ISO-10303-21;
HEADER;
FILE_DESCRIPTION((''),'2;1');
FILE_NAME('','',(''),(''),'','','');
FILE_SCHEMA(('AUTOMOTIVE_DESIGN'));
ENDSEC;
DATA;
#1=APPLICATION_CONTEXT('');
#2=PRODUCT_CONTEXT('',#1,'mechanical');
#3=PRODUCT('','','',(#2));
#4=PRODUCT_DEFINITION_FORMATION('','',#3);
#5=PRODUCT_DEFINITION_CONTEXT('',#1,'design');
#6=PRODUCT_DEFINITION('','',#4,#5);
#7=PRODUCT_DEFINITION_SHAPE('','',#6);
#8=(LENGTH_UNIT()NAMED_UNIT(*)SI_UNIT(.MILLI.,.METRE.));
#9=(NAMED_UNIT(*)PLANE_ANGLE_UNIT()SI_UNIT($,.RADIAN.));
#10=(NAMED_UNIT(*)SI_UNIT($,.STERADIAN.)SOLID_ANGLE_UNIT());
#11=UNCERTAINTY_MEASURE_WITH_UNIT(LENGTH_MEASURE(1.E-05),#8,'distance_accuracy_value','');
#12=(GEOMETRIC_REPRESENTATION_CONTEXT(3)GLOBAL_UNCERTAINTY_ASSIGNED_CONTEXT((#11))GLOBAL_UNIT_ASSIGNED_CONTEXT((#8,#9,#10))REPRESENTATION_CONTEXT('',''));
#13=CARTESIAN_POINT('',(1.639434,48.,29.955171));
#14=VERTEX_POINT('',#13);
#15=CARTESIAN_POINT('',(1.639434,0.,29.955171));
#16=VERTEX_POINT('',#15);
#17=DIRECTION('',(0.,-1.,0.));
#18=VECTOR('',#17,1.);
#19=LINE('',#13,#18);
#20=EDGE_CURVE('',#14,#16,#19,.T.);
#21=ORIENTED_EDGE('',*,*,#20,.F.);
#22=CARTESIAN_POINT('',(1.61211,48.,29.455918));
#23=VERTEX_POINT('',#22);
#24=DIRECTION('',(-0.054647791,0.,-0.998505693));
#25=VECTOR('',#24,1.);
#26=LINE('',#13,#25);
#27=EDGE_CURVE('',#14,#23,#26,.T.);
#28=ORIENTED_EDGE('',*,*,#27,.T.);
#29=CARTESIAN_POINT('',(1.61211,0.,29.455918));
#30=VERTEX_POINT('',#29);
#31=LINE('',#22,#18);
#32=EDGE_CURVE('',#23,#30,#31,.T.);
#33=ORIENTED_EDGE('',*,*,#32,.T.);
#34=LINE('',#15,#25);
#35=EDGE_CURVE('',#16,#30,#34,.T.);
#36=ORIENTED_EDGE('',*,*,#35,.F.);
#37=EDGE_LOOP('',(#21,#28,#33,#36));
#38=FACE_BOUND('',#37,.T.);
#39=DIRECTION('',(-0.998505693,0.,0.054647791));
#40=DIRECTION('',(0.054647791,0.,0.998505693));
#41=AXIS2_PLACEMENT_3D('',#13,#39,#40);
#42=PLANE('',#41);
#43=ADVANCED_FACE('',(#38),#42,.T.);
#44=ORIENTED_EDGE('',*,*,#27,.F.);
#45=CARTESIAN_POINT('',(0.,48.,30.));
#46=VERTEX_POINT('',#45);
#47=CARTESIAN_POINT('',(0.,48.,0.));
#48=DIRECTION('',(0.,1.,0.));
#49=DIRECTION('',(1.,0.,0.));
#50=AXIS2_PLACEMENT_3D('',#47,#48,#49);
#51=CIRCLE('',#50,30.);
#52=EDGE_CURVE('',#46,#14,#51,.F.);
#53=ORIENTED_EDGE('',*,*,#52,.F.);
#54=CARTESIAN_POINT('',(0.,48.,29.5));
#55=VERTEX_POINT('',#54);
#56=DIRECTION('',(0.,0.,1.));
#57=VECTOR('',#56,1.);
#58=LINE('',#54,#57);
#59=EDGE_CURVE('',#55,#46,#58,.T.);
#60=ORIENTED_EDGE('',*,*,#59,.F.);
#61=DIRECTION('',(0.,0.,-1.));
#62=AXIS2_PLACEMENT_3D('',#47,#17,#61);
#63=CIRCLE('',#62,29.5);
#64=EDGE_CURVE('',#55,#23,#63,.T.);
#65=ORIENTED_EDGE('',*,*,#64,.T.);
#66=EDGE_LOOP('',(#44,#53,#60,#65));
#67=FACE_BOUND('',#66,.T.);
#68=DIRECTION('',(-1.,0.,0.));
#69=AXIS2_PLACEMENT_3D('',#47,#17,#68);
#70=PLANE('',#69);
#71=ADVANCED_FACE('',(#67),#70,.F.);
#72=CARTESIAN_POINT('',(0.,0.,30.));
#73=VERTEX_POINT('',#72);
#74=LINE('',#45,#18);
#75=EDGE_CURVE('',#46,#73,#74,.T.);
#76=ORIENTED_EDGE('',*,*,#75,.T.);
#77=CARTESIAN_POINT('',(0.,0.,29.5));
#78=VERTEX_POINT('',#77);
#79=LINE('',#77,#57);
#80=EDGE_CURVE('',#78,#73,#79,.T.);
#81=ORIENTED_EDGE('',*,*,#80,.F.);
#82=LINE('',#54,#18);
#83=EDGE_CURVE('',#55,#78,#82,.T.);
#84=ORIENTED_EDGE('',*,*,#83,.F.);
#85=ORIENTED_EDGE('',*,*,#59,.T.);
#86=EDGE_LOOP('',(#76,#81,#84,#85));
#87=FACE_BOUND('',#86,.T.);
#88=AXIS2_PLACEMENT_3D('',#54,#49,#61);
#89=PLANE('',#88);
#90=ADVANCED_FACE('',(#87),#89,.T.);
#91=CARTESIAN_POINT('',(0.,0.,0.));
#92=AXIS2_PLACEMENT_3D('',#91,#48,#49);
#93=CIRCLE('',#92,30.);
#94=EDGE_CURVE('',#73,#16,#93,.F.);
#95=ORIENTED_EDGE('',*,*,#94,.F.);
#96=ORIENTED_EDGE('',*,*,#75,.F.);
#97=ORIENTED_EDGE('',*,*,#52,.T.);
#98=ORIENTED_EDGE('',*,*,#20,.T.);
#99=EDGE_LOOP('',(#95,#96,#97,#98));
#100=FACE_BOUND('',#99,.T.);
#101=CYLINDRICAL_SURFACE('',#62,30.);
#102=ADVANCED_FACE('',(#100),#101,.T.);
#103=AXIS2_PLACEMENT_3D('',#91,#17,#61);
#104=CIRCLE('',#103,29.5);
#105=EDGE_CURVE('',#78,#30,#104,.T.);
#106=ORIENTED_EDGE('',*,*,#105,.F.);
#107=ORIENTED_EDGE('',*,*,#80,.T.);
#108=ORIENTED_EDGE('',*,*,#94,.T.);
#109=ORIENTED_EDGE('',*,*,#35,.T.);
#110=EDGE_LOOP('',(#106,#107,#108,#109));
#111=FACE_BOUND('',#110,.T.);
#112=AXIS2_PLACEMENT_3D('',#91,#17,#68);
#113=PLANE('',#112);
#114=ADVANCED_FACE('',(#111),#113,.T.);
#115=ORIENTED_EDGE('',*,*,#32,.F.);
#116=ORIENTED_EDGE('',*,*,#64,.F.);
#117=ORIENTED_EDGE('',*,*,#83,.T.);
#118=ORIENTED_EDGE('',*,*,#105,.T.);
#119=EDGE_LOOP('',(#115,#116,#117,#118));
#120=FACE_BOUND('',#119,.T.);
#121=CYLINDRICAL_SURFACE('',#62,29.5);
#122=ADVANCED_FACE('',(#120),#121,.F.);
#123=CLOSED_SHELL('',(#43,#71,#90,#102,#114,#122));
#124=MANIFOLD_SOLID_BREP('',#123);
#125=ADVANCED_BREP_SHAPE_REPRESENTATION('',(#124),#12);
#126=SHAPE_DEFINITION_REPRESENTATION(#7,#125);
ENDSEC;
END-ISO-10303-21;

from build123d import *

# Parameters (mm, degrees)
EXTRUDE_THIN2_DEPTH = 48


with BuildPart() as part:
    # Sketch79 → Extrude-Thin2 (new body)
    with BuildSketch(Plane(origin=(0, 0, 0), x_dir=(1, 0, 0), z_dir=(0, 1, 0))):
        with BuildLine():
            ThreePointArc((0, -29.5), (-0.806356217, 29.488977426), (1.612109849, -29.455917942))
            Line((1.612109849, -29.455917942), (1.639433745, -29.955170789))
            ThreePointArc((1.639433745, -29.955170789), (-0.820023271, 29.988790603), (0, -30))
            Line((0, -30), (0, -29.5))
        make_face()
    extrude(amount=EXTRUDE_THIN2_DEPTH)


solid = part.part
